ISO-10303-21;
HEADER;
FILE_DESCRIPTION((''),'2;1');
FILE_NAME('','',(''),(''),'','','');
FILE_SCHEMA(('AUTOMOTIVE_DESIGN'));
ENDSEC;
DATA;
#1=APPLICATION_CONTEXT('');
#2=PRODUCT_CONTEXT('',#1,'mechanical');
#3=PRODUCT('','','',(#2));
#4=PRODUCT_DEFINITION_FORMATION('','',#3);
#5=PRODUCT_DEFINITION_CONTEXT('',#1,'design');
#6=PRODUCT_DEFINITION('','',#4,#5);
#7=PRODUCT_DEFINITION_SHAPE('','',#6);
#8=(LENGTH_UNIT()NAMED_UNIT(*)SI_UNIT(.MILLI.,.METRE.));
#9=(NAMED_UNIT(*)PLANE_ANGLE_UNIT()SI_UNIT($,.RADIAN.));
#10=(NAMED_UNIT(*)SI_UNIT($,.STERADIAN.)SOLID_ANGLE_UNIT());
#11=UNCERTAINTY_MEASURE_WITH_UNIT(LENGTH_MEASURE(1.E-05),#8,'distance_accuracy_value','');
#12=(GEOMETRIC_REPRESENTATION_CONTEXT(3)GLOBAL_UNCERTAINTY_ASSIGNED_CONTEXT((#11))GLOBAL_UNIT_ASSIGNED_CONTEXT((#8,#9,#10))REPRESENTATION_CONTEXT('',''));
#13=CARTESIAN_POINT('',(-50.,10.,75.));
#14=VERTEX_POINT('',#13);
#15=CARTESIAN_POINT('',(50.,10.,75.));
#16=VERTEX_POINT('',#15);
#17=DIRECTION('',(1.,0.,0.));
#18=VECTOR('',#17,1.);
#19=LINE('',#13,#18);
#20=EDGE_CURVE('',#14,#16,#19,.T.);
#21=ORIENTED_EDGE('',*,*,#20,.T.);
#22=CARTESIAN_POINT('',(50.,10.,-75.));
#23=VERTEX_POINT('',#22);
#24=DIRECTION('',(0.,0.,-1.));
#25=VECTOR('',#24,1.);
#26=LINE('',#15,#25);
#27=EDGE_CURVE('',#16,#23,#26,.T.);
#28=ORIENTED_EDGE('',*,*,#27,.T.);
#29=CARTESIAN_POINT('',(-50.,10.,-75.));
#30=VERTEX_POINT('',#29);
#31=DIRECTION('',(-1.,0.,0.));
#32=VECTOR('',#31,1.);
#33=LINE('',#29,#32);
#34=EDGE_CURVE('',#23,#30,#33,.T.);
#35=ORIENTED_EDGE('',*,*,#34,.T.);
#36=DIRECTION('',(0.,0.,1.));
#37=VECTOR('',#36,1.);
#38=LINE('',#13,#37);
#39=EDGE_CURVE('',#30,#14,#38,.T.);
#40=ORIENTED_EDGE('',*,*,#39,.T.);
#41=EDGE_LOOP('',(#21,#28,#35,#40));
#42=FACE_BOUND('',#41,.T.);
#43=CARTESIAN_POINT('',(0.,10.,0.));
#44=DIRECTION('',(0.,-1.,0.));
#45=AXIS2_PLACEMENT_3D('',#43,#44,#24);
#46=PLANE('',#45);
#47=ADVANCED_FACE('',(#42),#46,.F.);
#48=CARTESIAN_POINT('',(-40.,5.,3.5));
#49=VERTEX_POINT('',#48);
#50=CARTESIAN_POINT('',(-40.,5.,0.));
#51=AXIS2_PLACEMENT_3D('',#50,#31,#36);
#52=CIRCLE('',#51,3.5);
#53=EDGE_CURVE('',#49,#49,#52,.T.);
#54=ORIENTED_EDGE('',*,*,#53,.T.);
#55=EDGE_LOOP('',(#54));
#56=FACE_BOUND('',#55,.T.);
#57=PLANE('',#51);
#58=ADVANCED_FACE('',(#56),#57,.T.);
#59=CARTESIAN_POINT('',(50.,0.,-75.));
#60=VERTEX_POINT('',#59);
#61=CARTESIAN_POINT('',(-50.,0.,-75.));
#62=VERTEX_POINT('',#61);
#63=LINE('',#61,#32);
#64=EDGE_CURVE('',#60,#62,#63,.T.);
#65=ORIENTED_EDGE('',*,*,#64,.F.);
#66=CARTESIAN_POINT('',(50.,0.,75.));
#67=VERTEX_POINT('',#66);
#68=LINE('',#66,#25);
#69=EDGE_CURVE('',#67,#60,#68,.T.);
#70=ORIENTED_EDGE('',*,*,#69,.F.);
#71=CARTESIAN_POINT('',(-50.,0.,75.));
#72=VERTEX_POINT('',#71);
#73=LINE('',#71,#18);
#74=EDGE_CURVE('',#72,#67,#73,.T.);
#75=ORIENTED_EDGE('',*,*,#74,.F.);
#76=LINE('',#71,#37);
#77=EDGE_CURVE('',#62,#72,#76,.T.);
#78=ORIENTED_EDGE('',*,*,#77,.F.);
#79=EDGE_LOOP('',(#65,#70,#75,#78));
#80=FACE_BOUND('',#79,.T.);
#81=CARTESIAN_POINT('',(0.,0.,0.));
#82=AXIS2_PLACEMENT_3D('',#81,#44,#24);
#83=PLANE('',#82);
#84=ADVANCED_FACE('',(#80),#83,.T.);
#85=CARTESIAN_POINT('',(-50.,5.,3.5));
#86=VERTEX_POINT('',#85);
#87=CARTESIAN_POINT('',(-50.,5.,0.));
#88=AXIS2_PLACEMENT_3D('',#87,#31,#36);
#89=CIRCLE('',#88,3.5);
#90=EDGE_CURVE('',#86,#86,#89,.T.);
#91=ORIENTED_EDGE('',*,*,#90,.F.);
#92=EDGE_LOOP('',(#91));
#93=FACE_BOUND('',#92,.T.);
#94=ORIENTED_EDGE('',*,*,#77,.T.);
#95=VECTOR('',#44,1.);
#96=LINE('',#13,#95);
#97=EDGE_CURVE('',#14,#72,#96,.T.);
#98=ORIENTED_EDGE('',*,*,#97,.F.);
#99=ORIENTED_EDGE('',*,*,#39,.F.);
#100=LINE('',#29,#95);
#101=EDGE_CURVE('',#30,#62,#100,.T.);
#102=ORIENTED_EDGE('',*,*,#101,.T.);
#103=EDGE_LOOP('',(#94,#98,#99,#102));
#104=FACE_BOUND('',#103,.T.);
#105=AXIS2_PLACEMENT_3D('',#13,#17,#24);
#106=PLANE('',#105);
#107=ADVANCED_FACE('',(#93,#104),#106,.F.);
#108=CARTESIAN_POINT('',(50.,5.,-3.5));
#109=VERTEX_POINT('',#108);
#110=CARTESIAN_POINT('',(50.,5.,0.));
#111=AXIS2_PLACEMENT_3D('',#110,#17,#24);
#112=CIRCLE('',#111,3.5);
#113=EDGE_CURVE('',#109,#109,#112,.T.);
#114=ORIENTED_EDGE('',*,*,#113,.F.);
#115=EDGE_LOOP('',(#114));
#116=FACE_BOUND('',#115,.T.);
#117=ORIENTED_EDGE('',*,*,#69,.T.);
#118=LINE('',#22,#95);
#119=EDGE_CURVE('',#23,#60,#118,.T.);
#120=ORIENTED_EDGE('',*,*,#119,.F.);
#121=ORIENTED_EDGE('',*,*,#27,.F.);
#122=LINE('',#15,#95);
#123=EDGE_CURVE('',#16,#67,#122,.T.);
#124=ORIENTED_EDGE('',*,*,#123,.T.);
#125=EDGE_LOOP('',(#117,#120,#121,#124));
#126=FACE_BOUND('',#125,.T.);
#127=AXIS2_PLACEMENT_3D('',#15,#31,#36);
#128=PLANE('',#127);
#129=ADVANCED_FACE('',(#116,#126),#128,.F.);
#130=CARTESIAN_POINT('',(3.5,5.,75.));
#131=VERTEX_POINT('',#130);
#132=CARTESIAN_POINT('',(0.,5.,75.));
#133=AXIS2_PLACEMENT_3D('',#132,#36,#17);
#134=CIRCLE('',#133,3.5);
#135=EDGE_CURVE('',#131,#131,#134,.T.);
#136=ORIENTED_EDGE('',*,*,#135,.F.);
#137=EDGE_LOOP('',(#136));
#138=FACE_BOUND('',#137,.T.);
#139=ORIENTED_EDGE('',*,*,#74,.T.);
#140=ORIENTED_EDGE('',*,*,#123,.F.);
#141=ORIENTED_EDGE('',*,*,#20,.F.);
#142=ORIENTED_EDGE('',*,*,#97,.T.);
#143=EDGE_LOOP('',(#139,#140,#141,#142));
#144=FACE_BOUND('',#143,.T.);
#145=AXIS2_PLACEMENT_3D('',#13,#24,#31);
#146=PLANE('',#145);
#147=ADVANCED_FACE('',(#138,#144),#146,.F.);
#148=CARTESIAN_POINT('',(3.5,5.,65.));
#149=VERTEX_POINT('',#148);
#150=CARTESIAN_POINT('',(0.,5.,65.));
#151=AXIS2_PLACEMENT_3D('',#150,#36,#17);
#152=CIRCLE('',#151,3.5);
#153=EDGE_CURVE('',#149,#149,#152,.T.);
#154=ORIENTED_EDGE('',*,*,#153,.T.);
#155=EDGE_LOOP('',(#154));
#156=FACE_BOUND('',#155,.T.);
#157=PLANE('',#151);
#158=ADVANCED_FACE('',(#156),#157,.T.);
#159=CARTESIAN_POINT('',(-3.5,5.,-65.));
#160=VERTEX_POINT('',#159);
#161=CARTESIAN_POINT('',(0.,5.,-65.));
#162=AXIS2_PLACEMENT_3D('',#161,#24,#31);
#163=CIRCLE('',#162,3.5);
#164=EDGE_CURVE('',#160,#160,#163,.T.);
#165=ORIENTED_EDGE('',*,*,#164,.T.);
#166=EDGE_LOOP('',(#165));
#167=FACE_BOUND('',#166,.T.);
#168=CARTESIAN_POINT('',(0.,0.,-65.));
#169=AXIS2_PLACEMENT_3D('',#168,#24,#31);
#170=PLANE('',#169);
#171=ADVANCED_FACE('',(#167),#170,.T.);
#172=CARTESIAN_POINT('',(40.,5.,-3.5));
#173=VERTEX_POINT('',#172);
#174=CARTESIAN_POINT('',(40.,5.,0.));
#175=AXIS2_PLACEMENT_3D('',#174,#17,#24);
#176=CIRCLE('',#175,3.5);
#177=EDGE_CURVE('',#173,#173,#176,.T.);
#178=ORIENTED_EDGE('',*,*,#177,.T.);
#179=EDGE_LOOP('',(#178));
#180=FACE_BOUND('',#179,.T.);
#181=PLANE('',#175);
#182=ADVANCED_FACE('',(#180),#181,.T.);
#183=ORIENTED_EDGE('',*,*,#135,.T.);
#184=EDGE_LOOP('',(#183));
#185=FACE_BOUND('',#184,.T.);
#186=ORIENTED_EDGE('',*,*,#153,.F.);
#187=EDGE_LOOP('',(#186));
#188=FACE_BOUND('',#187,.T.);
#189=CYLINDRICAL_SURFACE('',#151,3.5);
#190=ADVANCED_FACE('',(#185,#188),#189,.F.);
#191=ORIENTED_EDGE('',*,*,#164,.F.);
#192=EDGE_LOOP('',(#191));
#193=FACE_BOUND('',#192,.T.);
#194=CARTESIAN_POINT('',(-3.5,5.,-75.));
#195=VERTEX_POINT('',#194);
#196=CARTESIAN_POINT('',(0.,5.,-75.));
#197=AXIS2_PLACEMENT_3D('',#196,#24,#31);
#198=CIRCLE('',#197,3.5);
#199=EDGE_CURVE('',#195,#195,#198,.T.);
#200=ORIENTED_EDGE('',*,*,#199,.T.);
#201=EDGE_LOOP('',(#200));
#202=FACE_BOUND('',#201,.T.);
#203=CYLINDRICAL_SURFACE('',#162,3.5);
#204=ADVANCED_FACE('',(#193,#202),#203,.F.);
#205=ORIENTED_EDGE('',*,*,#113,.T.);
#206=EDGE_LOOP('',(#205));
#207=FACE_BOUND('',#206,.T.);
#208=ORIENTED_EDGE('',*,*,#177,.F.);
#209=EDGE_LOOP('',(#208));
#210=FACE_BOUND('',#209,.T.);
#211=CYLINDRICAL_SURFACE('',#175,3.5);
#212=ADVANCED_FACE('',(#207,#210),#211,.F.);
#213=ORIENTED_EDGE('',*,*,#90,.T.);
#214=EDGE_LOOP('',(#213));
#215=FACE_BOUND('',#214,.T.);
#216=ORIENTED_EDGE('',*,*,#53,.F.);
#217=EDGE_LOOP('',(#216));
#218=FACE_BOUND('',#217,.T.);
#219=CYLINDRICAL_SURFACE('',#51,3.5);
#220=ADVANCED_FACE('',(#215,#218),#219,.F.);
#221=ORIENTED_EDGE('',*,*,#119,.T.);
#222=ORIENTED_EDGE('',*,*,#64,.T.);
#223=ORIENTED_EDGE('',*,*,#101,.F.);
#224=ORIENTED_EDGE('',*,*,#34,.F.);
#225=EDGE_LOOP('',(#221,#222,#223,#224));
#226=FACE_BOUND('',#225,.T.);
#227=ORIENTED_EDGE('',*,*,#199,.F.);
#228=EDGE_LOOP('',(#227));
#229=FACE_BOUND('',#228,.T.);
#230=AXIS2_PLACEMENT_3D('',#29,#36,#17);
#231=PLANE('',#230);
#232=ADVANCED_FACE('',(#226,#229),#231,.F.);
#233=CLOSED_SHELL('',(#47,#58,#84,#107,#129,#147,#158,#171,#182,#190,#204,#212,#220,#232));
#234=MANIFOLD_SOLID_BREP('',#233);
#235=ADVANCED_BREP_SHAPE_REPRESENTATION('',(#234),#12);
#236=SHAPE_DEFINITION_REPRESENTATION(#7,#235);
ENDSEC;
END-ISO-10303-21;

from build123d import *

# Parameters (mm, degrees)
SKETCH_1_W          = 100
SKETCH_1_H          = 150
EXTRUDE_1_DEPTH     = 10
SKETCH_2_R          = 3.5
CUT_EXTRUDE_1_DEPTH = 10
SKETCH_3_R          = 3.5
CUT_EXTRUDE_2_DEPTH = 10
CUT_EXTRUDE_3_DEPTH = 10
SKETCH_5_R          = 3.5
CUT_EXTRUDE_4_DEPTH = 10


with BuildPart() as part:
    # 草图1 → 凸台-拉伸1 (new body)
    with BuildSketch(Plane(origin=(0, 0, 0), x_dir=(1, 0, 0), z_dir=(0, 1, 0))):
        Rectangle(SKETCH_1_W, SKETCH_1_H)
    extrude(amount=EXTRUDE_1_DEPTH)

    # 草图2 → 切除-拉伸1 (cut)
    with BuildSketch(Plane.XY.offset(75)):
        with Locations((0, 5)):
            Circle(SKETCH_2_R)
    extrude(amount=-CUT_EXTRUDE_1_DEPTH, mode=Mode.SUBTRACT)

    # 草图3 → 切除-拉伸2 (cut)
    with BuildSketch(Plane(origin=(50, 0, 0), x_dir=(0, 0, -1), z_dir=(1, 0, 0))):
        with Locations((0, 5)):
            Circle(SKETCH_3_R)
    extrude(amount=-CUT_EXTRUDE_2_DEPTH, mode=Mode.SUBTRACT)

    # 草图4 → 切除-拉伸3 (cut)
    with BuildSketch(Plane(origin=(0, 0, -75), x_dir=(-1, 0, 0), z_dir=(0, 0, -1))):
        with BuildLine():
            ThreePointArc((3.482630166, 5.348263017), (0, 8.5), (-3.482630166, 5.348263017))
            Line((-3.482630166, 5.348263017), (0, 5))
            Line((0, 5), (3.482630166, 5.348263017))
        make_face()
        with BuildLine():
            Line((0, 5), (-3.482630166, 5.348263017))
            ThreePointArc((-3.482630166, 5.348263017), (-3.5, 5), (-3.482630166, 4.651736983))
            Line((-3.482630166, 4.651736983), (0, 5))
        make_face()
        with BuildLine():
            Line((3.482630166, 5.348263017), (0, 5))
            Line((0, 5), (3.482630166, 4.651736983))
            ThreePointArc((3.482630166, 4.651736983), (3.495654844, 4.825652043), (3.5, 5))
            ThreePointArc((3.5, 5), (3.495654844, 5.174347957), (3.482630166, 5.348263017))
        make_face()
        with BuildLine():
            Line((3.482630166, 4.651736983), (0, 5))
            Line((0, 5), (-3.482630166, 4.651736983))
            ThreePointArc((-3.482630166, 4.651736983), (0, 1.5), (3.482630166, 4.651736983))
        make_face()
    extrude(amount=-CUT_EXTRUDE_3_DEPTH, mode=Mode.SUBTRACT)

    # 草图5 → 切除-拉伸4 (cut)
    with BuildSketch(Plane.ZY.offset(50)):
        with Locations((0, 5)):
            Circle(SKETCH_5_R)
    extrude(amount=-CUT_EXTRUDE_4_DEPTH, mode=Mode.SUBTRACT)


solid = part.part
